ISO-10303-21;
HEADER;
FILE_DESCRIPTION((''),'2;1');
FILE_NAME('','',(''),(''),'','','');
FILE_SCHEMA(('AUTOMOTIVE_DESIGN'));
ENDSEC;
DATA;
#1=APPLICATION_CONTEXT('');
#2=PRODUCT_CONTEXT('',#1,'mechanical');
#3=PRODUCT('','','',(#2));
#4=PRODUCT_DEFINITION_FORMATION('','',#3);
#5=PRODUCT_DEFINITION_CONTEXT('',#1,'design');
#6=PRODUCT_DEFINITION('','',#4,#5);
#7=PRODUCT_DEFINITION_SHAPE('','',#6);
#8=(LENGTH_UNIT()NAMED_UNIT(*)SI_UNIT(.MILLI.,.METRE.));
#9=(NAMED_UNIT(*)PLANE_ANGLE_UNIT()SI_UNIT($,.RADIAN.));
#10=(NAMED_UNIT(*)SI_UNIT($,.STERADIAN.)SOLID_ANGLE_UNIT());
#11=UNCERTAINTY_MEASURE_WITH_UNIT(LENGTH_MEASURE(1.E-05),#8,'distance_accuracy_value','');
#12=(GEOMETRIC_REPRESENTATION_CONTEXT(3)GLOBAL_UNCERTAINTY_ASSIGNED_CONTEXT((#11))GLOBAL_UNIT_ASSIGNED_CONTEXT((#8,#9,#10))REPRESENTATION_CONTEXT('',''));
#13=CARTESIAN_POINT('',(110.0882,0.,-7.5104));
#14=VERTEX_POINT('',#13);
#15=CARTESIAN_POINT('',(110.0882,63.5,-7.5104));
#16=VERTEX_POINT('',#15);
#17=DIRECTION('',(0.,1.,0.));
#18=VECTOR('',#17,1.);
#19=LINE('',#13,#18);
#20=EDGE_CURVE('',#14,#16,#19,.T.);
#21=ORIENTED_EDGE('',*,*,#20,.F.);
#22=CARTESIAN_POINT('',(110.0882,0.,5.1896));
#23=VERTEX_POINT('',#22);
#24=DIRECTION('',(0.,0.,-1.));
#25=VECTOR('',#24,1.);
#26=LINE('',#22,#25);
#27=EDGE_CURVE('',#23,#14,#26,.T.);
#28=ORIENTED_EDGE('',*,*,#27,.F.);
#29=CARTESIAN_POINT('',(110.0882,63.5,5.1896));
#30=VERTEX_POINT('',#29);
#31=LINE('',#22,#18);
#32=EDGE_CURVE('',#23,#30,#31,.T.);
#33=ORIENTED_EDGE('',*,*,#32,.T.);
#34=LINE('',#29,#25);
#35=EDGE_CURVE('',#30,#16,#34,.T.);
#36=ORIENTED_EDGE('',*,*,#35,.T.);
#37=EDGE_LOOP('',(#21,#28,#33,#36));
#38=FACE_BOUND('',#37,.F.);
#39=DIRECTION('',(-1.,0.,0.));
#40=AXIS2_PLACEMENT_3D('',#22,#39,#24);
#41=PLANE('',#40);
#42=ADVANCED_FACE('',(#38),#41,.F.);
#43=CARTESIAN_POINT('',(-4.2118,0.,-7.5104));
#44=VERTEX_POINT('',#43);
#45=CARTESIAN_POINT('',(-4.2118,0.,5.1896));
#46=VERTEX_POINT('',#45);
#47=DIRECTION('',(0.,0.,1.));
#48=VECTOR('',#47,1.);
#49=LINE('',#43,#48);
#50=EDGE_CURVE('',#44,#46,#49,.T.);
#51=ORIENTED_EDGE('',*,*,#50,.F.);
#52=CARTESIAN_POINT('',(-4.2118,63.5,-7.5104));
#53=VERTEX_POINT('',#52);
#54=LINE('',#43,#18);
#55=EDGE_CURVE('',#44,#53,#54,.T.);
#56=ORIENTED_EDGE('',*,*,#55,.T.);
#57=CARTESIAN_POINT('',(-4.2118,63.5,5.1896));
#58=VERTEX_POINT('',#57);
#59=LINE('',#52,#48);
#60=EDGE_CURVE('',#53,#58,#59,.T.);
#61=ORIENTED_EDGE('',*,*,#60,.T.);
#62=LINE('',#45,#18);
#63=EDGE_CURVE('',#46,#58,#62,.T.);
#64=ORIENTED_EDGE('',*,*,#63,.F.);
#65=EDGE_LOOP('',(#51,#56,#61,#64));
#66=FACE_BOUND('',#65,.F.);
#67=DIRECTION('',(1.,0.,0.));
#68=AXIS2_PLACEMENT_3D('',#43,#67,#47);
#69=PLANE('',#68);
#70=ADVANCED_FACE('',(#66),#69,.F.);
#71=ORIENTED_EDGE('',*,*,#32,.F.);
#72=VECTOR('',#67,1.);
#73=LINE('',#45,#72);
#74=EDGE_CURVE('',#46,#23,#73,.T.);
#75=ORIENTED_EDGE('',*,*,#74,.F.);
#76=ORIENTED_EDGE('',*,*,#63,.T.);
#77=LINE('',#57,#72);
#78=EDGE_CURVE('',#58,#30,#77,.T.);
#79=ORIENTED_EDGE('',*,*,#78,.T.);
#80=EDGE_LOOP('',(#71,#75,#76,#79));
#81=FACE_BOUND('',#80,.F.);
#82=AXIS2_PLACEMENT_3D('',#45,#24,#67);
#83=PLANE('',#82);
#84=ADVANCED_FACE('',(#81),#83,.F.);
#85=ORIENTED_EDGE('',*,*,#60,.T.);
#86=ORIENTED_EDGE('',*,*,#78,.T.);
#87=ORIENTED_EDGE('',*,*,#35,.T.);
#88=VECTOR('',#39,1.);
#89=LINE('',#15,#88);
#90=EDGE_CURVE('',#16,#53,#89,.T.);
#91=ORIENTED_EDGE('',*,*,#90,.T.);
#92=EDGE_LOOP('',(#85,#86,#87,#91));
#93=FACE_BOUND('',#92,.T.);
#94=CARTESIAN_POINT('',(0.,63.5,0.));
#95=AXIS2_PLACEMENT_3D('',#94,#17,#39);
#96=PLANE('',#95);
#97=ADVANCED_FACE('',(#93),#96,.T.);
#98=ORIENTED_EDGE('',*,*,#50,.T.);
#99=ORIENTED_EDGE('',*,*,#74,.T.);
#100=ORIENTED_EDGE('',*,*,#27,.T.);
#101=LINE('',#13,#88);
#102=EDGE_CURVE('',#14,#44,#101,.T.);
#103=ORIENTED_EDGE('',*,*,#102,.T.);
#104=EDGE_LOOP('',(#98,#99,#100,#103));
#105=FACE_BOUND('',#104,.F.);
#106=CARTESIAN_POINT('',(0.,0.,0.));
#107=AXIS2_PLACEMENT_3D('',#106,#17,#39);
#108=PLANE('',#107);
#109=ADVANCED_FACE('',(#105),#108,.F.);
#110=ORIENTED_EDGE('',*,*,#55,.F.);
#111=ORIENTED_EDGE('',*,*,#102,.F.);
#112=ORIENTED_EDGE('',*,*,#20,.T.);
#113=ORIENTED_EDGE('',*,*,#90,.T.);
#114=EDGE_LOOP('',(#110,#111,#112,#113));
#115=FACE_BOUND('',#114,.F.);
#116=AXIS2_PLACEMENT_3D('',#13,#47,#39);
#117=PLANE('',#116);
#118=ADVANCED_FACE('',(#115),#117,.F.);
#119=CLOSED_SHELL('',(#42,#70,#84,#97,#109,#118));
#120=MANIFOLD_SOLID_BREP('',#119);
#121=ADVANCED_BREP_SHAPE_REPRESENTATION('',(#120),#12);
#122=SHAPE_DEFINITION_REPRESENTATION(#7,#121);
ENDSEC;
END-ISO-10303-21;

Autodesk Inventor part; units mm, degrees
ref_plane "YZ Plane" through (0, 0, 0) normal (1, 0, 0) x (0, 1, 0)
ref_plane "XZ Plane" through (0, 0, 0) normal (0, 1, 0) x (-1, 0, 0)
ref_plane "XY Plane" through (0, 0, 0) normal (0, 0, 1) x (1, 0, 0)
sketch "Sketch1" plane through (0, 0, 0) normal (0, 1, 0) x (-1, 0, 0)
  line L0 (4.2118, 5.1896) -> (-110.0882, 5.1896)
  line L1 (-110.0882, 5.1896) -> (-110.0882, -7.5104)
  line L2 (-110.0882, -7.5104) -> (4.2118, -7.5104)
  line L3 (4.2118, -7.5104) -> (4.2118, 5.1896)
  point P0 (0, 0)
  dimension "d0" = 12.7
  dimension "d1" = 114.3
extrude "Extrusion1" add sketch "Sketch1" along normal blind 63.5
properties part number "Arduino2"
